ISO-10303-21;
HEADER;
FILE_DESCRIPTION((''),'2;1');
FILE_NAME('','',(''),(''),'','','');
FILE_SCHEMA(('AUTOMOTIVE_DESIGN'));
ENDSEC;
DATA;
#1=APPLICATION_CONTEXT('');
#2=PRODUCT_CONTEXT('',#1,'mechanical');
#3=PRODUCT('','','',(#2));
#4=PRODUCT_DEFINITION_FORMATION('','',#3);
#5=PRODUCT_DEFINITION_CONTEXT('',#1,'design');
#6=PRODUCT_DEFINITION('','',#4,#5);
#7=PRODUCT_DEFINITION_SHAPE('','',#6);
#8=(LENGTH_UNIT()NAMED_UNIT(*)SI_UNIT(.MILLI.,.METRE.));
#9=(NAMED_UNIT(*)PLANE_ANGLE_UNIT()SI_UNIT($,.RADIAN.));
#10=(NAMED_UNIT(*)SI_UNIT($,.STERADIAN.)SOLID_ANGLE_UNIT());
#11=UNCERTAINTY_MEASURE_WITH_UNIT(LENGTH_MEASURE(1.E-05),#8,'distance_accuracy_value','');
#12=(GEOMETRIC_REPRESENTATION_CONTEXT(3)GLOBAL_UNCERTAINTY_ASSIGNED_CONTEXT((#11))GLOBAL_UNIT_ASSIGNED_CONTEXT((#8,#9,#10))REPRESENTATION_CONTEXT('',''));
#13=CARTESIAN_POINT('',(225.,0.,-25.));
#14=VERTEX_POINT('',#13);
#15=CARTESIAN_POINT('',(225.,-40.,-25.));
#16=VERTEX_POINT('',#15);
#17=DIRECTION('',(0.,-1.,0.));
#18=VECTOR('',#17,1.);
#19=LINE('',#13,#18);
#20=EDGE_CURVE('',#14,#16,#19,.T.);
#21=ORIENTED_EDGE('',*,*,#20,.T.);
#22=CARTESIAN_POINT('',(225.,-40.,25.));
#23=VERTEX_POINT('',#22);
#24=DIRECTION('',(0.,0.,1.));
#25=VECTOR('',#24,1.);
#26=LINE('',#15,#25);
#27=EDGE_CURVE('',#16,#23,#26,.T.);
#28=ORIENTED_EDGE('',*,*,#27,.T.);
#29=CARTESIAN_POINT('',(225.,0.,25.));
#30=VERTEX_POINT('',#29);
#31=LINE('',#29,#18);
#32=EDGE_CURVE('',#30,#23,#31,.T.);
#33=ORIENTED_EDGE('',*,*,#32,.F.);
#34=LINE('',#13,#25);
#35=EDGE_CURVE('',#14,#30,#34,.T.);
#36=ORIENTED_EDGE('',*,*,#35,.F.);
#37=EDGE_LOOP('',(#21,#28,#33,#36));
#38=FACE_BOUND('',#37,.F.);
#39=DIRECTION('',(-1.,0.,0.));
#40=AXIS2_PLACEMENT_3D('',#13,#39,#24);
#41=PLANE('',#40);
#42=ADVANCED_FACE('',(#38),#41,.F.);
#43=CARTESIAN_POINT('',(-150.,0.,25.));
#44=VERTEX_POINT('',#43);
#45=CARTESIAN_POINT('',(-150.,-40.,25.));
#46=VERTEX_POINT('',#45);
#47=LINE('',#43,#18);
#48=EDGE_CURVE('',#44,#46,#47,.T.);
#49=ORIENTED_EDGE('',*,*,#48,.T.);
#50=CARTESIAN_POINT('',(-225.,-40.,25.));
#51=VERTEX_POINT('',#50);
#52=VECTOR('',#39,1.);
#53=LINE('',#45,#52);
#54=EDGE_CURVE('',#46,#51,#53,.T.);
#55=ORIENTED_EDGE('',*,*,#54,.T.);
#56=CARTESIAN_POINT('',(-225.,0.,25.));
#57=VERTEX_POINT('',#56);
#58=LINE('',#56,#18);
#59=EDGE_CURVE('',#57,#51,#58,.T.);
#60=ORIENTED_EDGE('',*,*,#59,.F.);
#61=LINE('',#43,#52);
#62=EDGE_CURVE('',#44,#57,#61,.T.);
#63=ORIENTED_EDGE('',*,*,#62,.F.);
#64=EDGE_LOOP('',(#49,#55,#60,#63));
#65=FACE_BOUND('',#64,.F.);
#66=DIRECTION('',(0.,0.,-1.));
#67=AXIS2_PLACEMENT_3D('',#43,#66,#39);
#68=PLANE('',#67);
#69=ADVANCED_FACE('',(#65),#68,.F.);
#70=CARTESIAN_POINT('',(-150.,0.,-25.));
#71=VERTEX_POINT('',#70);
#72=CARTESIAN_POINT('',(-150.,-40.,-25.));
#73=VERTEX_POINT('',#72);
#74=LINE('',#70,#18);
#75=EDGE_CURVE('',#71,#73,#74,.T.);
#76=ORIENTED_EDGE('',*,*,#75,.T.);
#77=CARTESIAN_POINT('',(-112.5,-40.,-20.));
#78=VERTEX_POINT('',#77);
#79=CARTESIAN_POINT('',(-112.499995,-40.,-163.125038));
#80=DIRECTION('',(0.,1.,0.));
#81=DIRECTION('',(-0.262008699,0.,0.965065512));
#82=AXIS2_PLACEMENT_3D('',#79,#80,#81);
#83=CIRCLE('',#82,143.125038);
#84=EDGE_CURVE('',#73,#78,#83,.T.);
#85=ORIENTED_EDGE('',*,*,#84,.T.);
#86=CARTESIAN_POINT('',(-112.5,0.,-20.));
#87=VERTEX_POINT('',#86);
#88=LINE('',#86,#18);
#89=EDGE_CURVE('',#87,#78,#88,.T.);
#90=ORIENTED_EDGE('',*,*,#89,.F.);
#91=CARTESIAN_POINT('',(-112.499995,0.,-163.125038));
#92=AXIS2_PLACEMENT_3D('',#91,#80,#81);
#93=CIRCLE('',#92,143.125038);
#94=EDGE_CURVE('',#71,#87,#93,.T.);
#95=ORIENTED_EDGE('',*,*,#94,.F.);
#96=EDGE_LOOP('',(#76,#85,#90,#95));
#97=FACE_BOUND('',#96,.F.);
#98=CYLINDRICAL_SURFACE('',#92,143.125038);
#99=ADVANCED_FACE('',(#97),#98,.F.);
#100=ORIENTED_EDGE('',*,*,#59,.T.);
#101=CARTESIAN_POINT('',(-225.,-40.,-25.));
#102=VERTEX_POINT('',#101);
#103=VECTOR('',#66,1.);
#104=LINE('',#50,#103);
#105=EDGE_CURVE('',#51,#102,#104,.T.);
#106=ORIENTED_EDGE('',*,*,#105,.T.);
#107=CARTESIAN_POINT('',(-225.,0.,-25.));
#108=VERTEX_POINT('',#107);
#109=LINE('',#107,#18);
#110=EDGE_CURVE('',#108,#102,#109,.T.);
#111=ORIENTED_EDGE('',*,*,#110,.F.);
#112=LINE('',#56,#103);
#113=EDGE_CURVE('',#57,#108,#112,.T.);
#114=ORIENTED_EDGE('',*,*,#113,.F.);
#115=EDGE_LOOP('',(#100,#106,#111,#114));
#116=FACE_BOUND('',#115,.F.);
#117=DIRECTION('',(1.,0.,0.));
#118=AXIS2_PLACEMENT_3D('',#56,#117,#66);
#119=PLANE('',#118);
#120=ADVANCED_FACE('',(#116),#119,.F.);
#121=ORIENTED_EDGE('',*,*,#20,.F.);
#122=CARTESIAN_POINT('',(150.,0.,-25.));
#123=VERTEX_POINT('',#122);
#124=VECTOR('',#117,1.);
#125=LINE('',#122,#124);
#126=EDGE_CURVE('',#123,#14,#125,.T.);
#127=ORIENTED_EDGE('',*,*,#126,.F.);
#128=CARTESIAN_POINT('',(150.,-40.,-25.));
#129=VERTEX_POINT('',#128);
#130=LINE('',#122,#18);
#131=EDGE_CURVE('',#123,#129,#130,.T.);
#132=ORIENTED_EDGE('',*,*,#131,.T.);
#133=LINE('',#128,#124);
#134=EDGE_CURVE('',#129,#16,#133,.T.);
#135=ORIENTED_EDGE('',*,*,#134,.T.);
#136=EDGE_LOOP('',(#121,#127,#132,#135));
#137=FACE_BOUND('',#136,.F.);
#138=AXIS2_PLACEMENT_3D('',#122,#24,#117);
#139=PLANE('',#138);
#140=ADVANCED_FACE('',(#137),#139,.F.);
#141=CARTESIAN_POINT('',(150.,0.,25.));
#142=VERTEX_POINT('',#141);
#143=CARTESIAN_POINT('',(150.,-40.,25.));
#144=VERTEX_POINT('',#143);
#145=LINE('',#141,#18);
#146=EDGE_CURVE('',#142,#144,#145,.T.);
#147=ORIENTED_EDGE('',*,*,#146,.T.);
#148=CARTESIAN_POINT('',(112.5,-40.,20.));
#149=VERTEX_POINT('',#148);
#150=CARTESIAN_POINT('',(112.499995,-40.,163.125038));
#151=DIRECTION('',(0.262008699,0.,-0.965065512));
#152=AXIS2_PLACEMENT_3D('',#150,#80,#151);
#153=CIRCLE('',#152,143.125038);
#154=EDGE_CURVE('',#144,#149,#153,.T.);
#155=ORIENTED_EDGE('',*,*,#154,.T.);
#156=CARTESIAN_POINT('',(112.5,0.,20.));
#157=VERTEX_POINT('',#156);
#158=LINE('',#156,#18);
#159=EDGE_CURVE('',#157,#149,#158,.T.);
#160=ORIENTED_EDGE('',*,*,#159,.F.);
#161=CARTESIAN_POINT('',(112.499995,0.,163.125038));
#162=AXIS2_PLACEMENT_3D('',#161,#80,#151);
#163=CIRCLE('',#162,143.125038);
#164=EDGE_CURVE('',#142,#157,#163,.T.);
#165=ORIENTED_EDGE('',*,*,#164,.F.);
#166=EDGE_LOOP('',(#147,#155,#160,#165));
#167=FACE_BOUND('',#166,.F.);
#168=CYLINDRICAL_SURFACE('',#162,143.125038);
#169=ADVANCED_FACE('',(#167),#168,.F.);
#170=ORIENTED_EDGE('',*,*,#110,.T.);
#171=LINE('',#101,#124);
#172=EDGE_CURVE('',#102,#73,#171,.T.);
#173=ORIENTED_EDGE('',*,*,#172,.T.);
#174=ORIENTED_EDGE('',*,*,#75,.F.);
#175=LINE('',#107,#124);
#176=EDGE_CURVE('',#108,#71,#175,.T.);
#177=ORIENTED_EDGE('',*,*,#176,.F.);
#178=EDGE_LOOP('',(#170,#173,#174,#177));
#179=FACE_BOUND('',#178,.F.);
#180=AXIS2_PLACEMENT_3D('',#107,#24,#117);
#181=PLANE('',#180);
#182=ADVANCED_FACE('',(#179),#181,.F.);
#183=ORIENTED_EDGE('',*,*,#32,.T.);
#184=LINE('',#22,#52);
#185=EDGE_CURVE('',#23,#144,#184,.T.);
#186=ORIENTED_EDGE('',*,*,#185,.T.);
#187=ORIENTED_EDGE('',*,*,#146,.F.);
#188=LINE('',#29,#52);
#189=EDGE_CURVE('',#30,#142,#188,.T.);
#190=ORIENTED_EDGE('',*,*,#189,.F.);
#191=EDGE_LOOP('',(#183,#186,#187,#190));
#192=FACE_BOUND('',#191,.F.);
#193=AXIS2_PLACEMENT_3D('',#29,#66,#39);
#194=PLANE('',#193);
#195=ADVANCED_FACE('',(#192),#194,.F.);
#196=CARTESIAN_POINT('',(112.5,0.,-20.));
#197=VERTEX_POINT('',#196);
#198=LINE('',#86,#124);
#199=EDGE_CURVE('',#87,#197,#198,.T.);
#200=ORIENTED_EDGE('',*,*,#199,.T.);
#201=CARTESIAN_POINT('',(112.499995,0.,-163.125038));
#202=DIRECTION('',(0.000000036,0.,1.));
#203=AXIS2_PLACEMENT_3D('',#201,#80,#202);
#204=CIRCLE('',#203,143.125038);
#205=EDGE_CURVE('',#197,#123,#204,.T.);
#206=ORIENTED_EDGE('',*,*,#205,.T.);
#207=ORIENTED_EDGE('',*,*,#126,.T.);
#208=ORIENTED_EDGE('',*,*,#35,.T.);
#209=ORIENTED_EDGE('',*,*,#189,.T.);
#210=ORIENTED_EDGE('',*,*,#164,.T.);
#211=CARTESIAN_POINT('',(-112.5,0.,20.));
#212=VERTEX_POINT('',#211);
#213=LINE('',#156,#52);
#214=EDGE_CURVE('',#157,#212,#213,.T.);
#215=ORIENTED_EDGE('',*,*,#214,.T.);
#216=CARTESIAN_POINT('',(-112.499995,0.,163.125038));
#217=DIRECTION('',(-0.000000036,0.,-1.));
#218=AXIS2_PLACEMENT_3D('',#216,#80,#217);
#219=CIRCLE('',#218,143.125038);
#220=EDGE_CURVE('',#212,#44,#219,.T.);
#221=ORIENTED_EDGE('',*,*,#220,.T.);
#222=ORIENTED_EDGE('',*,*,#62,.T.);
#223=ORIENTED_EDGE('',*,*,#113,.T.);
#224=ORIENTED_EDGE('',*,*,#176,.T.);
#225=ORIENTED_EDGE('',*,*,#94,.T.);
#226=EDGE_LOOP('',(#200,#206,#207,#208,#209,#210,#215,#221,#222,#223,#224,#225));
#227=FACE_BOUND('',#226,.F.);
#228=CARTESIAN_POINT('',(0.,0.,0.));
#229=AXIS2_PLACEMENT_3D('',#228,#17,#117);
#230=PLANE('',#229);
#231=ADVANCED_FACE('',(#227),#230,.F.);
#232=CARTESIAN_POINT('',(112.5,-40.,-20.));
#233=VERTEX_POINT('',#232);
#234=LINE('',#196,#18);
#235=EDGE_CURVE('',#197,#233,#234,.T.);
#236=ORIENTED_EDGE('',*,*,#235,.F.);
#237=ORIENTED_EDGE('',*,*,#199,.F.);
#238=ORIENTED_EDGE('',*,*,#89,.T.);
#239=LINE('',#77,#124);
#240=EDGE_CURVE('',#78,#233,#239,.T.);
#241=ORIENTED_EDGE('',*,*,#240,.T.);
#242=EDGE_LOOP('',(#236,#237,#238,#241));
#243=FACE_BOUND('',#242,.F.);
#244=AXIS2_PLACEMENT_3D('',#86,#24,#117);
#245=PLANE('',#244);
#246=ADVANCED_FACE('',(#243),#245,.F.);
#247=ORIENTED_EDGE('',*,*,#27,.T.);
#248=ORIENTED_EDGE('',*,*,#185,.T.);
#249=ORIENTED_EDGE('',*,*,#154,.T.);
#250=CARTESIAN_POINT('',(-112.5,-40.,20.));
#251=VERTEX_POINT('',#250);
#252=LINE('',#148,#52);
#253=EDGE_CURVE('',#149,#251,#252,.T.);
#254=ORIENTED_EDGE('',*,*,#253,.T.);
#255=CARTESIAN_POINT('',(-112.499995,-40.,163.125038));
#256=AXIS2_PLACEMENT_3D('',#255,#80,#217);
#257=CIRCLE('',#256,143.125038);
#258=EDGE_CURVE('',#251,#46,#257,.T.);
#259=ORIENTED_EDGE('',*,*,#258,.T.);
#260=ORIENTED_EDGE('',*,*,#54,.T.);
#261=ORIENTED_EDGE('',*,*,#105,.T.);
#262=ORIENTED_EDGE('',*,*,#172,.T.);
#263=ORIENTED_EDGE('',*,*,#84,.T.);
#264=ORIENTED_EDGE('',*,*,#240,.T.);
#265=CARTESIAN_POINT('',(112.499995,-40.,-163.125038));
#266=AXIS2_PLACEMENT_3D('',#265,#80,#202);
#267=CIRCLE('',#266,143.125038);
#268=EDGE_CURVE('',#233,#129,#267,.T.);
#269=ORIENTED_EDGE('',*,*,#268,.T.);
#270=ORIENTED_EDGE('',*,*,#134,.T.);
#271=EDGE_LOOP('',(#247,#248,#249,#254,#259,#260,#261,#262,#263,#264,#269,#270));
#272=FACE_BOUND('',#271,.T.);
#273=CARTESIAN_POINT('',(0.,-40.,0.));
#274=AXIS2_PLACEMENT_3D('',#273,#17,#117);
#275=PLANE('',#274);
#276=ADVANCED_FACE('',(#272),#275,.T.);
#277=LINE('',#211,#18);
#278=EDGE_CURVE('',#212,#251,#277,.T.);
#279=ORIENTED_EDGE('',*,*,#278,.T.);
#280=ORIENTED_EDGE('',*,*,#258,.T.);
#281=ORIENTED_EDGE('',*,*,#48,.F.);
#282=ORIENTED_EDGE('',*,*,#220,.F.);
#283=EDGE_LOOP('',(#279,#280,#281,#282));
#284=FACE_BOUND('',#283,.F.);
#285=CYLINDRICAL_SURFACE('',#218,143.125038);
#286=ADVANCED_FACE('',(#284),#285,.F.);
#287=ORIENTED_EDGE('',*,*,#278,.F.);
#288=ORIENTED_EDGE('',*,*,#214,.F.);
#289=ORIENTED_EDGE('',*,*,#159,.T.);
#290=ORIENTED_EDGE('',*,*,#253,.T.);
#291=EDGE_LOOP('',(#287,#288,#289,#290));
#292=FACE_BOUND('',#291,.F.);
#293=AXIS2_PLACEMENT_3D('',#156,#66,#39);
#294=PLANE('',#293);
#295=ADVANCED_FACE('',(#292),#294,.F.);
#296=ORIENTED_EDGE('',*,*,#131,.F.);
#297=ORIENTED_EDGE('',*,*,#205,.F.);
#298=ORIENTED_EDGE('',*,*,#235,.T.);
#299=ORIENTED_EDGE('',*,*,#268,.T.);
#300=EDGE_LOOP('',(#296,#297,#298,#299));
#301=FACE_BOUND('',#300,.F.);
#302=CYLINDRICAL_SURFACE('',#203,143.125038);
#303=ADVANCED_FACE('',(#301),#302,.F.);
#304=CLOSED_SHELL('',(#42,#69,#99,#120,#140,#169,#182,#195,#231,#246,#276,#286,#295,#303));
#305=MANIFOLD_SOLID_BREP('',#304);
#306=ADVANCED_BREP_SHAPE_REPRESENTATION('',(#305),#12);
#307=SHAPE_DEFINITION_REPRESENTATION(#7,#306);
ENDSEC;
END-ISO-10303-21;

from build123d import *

# Parameters (mm, degrees)
F1_DEPTH = 40


with BuildPart() as f1:
    # F0 (on Front) → F1 (new body)
    with BuildSketch(Plane.XZ):
        with BuildLine():
            Line((112.5, 20), (0, 20))
            Line((0, 20), (-112.5, 20))
            ThreePointArc((-112.5, 20), (-131.415932, 21.255507), (-150, 25))
            Line((-150, 25), (-225, 25))
            Line((-225, 25), (-225, 0))
            Line((-225, 0), (-225, -25))
            Line((-225, -25), (-150, -25))
            ThreePointArc((-150, -25), (-131.415932, -21.255507), (-112.5, -20))
            Line((-112.5, -20), (0, -20))
            Line((0, -20), (112.5, -20))
            ThreePointArc((112.5, -20), (131.415932, -21.255507), (150, -25))
            Line((150, -25), (225, -25))
            Line((225, -25), (225, 0))
            Line((225, 0), (225, 25))
            Line((225, 25), (150, 25))
            ThreePointArc((150, 25), (131.415932, 21.255507), (112.5, 20))
        make_face()
    extrude(amount=F1_DEPTH)


solid = f1.part
